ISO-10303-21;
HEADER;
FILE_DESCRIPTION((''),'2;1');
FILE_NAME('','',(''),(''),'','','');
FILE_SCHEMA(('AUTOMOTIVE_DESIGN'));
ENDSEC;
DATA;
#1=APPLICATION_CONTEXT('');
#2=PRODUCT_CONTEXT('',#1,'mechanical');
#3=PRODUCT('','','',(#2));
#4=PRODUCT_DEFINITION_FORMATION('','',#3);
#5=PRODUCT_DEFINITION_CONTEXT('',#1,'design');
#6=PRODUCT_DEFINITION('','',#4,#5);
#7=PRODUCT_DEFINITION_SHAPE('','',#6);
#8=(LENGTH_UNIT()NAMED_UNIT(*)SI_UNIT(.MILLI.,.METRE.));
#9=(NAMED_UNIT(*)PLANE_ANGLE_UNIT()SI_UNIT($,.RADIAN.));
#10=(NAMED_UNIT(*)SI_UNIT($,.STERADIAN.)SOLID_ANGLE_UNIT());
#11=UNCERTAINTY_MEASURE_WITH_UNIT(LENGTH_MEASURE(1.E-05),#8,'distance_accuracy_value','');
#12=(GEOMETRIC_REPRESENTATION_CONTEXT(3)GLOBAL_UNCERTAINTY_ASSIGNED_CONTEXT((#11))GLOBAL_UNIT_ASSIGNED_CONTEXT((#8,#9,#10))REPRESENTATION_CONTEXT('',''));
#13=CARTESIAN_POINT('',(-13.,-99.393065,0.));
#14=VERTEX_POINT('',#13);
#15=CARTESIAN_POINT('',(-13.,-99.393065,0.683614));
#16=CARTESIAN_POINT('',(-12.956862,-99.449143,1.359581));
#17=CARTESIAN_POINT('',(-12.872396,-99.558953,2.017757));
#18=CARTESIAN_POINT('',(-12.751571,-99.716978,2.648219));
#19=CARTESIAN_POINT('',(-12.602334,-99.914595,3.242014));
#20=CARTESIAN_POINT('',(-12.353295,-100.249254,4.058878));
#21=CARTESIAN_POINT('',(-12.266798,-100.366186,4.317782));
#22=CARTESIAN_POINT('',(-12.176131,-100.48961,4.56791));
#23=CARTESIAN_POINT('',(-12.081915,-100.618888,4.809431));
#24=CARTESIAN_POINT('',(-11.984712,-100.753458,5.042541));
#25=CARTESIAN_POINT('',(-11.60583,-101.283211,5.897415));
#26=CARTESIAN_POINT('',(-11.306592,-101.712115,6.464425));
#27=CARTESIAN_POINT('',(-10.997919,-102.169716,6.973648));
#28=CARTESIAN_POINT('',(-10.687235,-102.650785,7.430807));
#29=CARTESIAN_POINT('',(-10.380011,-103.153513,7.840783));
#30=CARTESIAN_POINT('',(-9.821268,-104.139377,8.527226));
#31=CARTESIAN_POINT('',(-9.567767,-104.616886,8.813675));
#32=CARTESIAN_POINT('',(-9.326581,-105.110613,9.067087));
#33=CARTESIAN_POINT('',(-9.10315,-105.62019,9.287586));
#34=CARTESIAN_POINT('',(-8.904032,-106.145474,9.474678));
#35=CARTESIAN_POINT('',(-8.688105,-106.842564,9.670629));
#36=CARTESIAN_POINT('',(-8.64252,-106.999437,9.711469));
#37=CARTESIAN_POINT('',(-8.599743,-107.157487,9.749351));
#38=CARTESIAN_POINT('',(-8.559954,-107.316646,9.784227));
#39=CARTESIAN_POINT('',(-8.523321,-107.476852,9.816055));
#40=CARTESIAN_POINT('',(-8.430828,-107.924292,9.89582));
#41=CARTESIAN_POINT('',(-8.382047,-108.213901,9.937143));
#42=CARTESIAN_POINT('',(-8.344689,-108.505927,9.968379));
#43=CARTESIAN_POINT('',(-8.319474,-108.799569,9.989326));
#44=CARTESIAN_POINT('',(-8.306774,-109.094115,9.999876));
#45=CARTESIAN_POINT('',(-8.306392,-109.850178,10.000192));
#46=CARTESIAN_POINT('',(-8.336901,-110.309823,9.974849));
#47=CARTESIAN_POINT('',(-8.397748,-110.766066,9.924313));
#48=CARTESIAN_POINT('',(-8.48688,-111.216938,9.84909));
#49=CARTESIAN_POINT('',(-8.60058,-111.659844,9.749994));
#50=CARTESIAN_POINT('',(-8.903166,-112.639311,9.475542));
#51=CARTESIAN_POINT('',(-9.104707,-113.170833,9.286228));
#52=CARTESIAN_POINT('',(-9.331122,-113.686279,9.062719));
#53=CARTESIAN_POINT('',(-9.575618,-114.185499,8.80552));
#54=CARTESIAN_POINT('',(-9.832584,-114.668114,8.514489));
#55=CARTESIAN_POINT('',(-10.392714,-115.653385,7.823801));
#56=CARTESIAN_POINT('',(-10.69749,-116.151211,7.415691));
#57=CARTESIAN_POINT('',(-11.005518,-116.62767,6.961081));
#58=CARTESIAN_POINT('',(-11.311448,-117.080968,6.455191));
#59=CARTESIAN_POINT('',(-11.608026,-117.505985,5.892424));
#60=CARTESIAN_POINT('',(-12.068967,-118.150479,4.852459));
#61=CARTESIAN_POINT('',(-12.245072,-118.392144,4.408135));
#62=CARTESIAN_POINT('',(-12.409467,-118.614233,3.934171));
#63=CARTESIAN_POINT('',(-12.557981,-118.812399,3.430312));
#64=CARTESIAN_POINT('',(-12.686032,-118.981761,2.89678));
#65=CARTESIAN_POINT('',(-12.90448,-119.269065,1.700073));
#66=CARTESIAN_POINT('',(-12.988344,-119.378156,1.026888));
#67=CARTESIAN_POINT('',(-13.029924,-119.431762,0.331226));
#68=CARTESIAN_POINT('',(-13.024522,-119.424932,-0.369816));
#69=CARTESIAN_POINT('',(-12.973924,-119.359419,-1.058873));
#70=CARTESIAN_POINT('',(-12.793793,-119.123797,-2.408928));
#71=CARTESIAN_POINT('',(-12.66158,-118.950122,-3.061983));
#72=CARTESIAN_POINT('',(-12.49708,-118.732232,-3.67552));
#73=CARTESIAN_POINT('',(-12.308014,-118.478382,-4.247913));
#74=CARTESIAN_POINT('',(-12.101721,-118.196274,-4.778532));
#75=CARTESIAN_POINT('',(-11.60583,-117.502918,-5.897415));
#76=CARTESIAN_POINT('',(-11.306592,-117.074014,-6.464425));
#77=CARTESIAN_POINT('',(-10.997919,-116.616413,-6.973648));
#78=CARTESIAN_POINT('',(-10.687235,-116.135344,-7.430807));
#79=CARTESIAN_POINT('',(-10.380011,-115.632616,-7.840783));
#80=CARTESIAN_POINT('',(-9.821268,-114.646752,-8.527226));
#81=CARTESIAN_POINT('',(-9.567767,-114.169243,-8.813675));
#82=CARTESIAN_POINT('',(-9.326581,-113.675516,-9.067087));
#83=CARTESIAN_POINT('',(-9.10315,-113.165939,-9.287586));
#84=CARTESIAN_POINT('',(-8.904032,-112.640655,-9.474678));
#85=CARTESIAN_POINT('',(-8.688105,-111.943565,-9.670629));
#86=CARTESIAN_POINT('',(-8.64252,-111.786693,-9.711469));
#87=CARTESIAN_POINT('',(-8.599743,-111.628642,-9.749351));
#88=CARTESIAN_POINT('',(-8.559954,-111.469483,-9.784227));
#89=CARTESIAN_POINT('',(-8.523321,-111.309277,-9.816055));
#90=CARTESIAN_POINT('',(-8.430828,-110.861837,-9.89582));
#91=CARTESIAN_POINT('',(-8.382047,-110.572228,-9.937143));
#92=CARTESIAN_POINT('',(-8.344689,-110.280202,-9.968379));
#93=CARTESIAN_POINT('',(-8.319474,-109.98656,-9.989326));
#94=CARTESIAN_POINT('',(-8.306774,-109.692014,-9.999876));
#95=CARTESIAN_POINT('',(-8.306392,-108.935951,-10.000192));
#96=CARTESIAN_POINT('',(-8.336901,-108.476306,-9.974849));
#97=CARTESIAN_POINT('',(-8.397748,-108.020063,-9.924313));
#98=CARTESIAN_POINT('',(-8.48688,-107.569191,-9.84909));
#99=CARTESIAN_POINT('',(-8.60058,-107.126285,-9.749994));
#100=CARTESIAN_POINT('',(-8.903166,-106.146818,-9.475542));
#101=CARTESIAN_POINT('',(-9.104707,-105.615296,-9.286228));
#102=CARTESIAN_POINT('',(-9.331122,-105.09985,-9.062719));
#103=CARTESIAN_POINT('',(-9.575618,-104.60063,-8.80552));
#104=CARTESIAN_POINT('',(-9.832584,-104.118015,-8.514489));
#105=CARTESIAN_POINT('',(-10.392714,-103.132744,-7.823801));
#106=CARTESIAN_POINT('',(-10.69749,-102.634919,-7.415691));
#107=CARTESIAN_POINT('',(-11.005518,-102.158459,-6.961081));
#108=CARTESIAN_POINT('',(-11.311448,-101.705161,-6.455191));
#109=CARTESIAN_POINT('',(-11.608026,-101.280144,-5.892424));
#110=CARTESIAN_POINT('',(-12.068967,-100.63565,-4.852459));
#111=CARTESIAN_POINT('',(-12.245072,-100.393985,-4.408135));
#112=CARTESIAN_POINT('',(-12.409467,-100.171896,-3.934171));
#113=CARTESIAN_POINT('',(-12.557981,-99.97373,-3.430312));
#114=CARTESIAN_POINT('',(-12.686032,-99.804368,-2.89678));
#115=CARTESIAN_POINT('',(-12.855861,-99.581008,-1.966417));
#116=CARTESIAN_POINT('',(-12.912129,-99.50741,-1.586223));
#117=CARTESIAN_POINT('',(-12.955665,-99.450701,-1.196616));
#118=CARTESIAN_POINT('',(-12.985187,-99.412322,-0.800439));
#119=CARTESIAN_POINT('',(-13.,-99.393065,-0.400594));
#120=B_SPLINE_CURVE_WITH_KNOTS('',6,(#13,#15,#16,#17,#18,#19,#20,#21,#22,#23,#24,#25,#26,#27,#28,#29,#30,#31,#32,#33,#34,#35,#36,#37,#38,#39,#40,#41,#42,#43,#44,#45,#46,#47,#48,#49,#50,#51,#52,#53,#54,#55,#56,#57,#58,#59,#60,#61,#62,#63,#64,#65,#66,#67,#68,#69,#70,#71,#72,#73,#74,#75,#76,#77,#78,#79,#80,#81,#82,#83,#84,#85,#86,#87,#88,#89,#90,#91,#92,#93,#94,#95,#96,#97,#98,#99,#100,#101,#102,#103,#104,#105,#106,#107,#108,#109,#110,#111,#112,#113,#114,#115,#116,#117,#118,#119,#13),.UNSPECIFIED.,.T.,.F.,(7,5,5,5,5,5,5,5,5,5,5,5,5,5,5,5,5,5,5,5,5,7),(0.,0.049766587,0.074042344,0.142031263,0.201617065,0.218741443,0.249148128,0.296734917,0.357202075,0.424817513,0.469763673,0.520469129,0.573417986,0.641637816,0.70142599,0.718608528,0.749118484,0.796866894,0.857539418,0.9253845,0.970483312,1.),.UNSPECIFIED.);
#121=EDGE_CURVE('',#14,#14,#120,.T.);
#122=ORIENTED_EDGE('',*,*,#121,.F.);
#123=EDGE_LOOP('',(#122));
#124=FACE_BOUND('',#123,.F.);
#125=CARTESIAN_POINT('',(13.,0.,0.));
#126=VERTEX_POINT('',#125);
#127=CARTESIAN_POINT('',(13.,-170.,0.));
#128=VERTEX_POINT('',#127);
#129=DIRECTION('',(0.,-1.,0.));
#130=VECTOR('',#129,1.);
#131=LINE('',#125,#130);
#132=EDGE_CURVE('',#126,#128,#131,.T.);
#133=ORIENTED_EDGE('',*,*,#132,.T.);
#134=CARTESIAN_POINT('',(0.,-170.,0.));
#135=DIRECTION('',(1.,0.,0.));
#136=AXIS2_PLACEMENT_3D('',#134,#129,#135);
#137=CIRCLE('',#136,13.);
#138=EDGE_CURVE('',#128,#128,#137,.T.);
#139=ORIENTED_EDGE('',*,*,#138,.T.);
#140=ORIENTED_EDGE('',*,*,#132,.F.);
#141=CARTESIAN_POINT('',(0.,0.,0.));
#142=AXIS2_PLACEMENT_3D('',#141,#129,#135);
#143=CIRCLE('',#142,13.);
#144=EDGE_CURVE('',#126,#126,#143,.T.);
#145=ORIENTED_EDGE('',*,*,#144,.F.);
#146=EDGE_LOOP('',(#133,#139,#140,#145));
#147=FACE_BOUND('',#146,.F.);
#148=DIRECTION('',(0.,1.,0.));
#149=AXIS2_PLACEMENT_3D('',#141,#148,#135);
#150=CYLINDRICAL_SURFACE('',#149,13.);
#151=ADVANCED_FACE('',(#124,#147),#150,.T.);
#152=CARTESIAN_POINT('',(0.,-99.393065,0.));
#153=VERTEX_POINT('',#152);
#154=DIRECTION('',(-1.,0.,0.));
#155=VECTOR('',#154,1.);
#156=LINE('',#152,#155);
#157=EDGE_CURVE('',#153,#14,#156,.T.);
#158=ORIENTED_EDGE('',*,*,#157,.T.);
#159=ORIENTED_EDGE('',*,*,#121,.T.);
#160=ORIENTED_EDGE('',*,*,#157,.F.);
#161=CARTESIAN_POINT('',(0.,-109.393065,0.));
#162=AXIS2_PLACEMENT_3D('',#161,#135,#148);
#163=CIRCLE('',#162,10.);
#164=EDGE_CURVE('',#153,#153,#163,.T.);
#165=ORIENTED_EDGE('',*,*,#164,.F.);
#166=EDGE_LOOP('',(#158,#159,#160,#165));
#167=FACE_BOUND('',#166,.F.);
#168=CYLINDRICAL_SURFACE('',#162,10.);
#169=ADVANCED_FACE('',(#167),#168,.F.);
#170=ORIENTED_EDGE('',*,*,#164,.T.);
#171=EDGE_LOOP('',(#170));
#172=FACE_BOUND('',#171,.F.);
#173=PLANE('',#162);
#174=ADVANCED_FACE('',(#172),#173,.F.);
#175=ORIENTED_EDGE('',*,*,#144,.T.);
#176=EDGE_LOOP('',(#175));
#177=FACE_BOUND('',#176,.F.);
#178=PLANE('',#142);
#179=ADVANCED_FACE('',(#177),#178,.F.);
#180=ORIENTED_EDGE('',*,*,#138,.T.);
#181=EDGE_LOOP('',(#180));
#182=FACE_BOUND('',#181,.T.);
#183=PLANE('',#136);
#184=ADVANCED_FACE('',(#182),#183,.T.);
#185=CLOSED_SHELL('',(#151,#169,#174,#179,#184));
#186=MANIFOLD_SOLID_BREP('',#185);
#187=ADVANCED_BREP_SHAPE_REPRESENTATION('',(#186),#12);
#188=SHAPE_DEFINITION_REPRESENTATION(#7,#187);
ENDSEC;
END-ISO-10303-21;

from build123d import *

# Parameters (mm, degrees)
F0_R     = 13
F1_DEPTH = 170
F3_D     = 20
F3_DEPTH = 25
F3_TIP   = 6.0086061903


with BuildPart() as f1:
    # F0 (on Front) → F1 (new body)
    with BuildSketch(Plane.XZ):
        Circle(F0_R)
    extrude(amount=F1_DEPTH)

    # F3 (one way)
    with BuildSketch(Plane.YZ):
        with Locations((-109.3930645368, 0)):
            Circle(F3_D / 2)
    extrude(amount=-F3_DEPTH, mode=Mode.SUBTRACT)
    with Locations(Plane.YZ):
        with Locations((-109.3930645368, 0)):
            with Locations((0, 0, -(F3_DEPTH + F3_TIP / 2))):  # 118° drill point
                Cone(0, F3_D / 2, F3_TIP, mode=Mode.SUBTRACT)


solid = f1.part
